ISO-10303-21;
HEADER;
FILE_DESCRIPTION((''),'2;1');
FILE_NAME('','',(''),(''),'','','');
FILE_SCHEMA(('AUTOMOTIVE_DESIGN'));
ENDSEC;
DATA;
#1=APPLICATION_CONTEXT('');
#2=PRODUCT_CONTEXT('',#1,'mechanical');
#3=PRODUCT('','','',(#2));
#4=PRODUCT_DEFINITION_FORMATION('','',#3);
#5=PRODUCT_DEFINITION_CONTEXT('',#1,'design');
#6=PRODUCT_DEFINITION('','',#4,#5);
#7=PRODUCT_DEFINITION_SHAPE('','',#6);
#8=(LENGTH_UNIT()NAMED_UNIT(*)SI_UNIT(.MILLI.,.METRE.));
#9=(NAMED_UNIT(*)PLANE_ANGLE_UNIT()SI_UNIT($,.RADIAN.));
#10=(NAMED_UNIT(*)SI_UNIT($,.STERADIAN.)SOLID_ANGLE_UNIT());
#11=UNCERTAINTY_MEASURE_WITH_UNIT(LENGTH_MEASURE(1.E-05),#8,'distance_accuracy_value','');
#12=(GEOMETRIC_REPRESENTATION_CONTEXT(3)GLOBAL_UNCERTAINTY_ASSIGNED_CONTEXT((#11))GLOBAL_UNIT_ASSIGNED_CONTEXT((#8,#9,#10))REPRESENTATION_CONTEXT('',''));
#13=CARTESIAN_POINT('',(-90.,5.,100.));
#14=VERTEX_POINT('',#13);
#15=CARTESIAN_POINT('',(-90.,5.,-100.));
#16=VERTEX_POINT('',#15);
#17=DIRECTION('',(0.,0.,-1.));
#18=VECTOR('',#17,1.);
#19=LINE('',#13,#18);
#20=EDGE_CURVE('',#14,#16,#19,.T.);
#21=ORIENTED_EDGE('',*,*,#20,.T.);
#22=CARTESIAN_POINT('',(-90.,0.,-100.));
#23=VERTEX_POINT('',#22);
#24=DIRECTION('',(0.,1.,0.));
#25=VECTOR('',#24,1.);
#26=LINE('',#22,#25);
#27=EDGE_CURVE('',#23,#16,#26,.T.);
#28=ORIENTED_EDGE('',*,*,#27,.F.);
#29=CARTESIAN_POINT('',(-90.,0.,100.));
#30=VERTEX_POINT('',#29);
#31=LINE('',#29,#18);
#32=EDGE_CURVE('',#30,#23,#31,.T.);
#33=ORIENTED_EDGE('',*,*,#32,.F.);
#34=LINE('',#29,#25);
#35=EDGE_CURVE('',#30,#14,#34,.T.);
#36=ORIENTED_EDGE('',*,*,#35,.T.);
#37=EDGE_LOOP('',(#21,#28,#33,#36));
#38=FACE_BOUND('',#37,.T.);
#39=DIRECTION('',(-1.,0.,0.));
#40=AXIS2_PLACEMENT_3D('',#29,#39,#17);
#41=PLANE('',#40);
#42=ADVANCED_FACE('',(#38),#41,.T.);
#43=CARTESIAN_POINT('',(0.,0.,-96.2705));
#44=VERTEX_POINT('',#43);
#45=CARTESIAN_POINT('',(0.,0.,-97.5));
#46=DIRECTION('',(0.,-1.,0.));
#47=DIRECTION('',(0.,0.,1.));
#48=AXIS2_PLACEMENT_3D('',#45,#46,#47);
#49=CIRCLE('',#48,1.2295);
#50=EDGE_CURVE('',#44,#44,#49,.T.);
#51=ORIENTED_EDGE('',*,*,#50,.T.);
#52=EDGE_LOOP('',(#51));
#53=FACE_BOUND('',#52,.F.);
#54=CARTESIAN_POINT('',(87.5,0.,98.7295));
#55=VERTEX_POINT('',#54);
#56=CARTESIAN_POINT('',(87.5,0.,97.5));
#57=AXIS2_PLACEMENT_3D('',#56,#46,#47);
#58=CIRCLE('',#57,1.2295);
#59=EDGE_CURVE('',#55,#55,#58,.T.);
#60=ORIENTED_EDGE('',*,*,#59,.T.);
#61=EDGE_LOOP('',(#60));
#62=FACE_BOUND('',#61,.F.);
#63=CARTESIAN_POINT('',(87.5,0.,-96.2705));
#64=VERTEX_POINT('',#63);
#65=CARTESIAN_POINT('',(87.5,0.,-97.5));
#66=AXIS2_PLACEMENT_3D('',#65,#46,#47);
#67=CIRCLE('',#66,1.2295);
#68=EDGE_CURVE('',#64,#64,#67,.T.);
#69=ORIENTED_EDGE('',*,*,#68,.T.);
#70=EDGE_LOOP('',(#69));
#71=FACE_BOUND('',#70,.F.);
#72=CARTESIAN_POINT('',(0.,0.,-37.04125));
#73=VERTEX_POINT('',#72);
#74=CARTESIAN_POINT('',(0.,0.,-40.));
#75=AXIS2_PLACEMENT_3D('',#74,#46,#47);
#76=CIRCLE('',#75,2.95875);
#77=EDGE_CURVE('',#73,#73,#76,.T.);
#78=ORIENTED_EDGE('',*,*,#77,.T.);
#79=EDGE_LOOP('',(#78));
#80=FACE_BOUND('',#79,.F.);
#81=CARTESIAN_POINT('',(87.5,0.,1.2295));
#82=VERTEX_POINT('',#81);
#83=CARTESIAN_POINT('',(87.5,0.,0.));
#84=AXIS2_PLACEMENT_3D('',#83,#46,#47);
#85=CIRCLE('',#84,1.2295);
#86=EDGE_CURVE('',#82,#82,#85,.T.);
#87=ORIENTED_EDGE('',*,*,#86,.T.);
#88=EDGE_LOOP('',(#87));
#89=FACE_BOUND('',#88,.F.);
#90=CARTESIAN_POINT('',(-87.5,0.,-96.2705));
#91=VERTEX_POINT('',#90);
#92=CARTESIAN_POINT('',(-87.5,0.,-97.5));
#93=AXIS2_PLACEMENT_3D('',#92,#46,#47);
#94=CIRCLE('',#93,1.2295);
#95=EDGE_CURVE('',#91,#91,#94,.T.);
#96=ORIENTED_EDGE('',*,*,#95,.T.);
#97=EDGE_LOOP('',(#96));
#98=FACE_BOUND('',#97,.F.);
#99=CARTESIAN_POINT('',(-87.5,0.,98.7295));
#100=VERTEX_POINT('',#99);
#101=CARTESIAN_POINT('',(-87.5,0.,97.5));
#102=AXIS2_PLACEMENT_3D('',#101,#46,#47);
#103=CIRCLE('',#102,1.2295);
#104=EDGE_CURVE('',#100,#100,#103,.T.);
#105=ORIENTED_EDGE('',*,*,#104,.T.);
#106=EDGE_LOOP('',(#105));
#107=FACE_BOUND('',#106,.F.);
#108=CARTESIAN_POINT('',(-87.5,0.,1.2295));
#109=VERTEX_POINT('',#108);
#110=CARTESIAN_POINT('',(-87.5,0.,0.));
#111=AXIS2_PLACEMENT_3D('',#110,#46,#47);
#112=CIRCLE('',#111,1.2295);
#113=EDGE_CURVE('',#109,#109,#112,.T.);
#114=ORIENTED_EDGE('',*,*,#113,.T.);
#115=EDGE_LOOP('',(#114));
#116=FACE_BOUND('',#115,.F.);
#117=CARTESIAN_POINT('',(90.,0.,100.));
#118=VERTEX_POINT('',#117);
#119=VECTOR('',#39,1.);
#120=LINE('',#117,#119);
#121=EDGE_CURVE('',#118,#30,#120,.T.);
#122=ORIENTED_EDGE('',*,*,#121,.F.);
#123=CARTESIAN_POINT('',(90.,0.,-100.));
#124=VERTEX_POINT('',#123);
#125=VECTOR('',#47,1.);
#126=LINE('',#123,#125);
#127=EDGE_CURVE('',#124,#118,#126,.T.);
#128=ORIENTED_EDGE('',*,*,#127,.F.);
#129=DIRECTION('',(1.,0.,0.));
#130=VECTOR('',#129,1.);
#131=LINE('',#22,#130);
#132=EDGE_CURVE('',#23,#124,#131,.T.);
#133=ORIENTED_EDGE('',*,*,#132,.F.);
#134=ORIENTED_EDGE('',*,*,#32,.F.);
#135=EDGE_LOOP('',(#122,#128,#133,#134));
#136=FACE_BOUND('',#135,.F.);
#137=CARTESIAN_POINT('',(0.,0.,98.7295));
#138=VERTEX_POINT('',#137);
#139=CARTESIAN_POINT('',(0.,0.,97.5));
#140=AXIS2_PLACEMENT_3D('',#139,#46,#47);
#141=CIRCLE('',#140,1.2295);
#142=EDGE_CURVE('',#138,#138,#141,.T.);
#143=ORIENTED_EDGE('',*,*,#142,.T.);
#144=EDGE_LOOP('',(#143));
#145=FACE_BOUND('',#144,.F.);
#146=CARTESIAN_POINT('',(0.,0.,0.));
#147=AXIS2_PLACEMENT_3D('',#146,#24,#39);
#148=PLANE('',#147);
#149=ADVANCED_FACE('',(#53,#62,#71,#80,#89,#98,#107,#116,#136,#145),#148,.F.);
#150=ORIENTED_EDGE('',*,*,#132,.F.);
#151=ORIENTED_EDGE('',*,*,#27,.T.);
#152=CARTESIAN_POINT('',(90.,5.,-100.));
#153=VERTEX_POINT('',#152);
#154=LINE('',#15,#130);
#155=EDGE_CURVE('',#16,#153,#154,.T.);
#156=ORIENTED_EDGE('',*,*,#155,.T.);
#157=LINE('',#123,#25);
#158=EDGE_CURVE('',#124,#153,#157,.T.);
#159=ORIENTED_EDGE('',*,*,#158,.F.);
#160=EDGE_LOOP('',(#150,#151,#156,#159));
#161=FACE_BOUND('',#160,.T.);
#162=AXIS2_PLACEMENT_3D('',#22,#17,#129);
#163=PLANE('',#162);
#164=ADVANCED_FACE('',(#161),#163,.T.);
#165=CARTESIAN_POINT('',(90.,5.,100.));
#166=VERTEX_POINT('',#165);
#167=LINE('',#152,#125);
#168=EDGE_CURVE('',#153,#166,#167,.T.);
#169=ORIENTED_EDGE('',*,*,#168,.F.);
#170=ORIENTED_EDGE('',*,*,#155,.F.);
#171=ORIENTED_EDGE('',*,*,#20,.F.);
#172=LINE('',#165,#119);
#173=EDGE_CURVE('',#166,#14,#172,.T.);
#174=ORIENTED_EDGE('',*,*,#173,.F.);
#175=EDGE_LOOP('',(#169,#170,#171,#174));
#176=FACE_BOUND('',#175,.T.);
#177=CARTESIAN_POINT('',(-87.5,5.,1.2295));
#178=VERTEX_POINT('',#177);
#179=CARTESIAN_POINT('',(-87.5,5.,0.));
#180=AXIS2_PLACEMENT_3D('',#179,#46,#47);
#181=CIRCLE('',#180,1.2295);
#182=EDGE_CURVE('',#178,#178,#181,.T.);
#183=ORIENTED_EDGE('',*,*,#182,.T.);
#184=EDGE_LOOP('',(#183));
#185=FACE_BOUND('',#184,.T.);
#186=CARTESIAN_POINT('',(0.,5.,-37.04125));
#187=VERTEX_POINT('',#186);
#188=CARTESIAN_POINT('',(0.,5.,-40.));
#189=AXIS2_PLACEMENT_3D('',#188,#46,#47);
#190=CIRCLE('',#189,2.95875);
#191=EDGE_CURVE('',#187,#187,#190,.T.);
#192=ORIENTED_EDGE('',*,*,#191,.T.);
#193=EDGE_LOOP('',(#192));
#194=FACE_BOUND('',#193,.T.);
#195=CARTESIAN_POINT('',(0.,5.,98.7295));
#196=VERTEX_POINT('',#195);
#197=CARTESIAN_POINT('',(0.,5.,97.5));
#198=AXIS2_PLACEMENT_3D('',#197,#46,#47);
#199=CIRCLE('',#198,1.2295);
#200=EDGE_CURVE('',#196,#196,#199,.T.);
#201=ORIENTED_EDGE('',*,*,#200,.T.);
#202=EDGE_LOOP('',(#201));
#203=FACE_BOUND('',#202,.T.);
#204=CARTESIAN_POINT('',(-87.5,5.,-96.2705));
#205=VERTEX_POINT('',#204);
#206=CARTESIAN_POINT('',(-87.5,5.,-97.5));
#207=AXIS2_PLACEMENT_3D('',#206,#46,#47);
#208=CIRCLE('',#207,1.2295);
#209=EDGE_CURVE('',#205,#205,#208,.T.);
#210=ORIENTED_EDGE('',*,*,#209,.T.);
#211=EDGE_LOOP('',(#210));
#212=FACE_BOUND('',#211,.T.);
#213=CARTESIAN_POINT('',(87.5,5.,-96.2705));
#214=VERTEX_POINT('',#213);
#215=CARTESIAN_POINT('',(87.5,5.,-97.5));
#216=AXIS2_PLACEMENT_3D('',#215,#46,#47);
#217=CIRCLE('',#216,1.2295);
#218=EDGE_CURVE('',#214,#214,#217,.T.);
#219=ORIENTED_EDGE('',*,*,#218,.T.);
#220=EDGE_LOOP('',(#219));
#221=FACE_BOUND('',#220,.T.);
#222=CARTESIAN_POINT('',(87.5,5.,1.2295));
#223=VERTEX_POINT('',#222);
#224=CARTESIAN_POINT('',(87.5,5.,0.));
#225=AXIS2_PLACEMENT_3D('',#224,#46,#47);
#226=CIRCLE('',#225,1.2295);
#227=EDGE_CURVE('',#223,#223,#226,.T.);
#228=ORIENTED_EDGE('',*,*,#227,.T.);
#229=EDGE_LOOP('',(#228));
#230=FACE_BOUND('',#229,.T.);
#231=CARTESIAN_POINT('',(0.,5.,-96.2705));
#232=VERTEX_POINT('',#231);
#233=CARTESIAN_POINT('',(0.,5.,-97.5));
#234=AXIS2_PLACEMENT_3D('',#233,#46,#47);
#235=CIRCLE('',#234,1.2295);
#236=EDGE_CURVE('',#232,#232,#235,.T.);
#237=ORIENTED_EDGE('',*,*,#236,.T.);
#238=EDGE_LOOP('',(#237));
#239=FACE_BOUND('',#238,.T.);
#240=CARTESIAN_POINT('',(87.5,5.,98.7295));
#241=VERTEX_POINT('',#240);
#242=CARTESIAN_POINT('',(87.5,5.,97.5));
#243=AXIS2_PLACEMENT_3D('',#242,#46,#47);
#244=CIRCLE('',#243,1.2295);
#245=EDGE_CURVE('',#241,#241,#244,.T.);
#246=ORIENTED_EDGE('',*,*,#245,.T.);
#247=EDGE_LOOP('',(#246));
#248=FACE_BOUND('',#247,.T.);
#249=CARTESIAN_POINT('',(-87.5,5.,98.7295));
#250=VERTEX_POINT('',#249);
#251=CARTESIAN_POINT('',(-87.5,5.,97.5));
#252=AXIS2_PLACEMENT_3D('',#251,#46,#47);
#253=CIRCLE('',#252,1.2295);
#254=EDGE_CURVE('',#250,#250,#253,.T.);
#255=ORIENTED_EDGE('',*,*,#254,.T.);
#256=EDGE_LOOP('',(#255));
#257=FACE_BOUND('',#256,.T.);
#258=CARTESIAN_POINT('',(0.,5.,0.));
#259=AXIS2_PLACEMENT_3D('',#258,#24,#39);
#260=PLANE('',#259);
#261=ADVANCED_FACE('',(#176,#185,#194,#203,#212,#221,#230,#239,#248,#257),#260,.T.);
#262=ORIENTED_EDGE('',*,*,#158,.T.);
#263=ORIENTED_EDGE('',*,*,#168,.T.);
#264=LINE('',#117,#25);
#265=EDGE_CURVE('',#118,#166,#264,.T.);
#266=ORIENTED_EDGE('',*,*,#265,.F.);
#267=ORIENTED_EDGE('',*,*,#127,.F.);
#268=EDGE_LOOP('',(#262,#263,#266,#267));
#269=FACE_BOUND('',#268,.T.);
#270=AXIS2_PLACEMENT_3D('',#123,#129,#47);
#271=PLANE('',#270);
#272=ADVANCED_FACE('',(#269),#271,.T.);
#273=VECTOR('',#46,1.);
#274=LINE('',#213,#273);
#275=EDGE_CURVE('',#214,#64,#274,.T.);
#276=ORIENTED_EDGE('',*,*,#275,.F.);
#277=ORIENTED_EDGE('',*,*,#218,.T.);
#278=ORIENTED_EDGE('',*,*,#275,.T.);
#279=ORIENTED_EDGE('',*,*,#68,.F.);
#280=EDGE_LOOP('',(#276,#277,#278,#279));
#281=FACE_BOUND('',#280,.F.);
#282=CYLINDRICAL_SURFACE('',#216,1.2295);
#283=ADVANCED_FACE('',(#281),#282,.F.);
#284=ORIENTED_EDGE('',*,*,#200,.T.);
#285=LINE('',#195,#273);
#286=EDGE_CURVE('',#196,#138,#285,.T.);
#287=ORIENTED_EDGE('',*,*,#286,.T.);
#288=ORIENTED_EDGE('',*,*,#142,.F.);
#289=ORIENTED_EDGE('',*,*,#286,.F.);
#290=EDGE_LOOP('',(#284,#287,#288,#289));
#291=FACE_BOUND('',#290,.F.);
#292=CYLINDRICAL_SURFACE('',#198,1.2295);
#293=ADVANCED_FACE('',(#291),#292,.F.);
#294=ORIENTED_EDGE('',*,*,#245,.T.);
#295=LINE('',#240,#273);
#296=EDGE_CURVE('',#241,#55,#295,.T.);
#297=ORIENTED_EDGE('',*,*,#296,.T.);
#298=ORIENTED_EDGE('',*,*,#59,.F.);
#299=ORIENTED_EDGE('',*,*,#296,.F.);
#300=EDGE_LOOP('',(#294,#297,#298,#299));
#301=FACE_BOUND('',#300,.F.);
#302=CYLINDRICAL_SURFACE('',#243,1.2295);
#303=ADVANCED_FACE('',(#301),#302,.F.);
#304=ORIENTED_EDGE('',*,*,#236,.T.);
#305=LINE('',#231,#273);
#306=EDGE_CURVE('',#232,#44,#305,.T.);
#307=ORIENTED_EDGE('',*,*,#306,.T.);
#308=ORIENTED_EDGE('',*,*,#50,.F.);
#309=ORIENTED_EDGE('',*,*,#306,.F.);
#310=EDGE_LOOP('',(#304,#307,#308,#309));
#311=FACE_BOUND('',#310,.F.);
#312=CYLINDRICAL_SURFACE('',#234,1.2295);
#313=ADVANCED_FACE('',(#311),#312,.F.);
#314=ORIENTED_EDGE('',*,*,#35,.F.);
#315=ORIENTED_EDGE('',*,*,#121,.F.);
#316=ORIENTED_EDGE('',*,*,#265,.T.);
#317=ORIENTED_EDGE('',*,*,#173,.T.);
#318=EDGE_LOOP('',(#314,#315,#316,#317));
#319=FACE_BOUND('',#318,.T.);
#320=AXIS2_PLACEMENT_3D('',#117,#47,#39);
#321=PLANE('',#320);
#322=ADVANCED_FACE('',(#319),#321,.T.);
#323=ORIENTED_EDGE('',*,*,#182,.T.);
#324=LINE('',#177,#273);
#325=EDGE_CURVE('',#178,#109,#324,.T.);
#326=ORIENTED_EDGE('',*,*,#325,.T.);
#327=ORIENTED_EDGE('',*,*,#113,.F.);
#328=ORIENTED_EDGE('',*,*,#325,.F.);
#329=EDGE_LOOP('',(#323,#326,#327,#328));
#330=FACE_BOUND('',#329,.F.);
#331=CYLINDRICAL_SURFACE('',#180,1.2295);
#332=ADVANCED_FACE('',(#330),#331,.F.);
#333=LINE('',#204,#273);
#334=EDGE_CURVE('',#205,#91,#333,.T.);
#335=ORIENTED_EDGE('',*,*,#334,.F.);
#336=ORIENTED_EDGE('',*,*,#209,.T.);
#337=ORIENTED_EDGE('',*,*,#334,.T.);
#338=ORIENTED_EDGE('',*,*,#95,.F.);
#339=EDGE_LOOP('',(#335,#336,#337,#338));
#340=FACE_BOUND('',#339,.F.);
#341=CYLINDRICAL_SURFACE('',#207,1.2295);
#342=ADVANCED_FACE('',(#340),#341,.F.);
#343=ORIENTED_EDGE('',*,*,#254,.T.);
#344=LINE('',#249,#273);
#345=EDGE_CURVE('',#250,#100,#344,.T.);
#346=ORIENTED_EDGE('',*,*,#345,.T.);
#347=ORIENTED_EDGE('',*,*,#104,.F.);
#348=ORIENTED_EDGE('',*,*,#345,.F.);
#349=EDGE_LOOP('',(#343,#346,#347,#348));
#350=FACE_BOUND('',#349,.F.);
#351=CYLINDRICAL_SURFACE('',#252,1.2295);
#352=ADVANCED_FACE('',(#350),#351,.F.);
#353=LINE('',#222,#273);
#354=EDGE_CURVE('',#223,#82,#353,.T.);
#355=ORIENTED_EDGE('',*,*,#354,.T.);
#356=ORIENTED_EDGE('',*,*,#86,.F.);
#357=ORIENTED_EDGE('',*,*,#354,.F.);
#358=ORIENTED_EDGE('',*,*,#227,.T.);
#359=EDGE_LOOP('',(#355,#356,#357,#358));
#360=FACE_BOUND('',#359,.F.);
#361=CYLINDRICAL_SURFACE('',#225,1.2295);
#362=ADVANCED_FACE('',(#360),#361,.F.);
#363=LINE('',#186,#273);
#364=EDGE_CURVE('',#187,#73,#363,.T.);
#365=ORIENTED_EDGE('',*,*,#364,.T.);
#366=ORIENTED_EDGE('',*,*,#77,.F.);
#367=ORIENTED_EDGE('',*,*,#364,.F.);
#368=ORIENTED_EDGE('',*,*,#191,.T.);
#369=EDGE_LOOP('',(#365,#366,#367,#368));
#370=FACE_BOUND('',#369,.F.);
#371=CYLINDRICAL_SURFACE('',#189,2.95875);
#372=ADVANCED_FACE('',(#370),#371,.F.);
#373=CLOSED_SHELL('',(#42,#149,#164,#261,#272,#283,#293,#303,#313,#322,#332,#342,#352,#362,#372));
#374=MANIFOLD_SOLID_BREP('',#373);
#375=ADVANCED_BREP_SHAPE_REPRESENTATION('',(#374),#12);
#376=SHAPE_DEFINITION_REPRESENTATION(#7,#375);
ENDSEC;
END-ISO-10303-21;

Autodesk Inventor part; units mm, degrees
ref_plane "YZ Plane" through (0, 0, 0) normal (1, 0, 0) x (0, 1, 0)
ref_plane "XZ Plane" through (0, 0, 0) normal (0, 1, 0) x (-1, 0, 0)
ref_plane "XY Plane" through (0, 0, 0) normal (0, 0, 1) x (1, 0, 0)
sketch "Esquisse1" plane through (0, 0, 0) normal (0, 1, 0) x (-1, 0, 0)
  line L0 (-90, 100) -> (90, 100)
  line L1 (90, 100) -> (90, -100)
  line L2 (90, -100) -> (-90, -100)
  line L3 (-90, -100) -> (-90, 100)
  line L4 (-90, 100) -> (90, -100) construction
  line L5 (90, 100) -> (-90, -100) construction
  point P0 (0, 0)
  dimension "d0" = 180
  dimension "d1" = 200
extrude "Extrusion1" add sketch "Esquisse1" along normal blind 5
sketch "Esquisse2" plane through (0, 5, 0) normal (0, 1, 0) x (1, 0, 0)
  line L0 (0, 0) -> (0, -97.5)
  line L1 (0, -97.5) -> (-87.5, -97.5)
  line L2 (0, 0) -> (-32.0024, 0)
  point P0 (87.5, -97.5)
  point P1 (-87.5, 97.5)
  point P2 (87.5, 97.5)
  dimension "d4" = 97.5
  dimension "d5" = 87.5
hole "Perçage1" at (-87.5, 5, 97.5) at (87.5, 5, 97.5) at (-87.5, 5, -97.5) at (87.5, 5, -97.5) direction (0, -1, 0) diameter 2.459 end through all thread size "M3x0.5" class "6H" standard "ISO Metric profile"
sketch "Esquisse3" plane through (0, 5, 0) normal (0, 1, 0) x (1, 0, 0)
  line L0 (0, 0) -> (-87.5, 0)
  line L1 (0, 0) -> (0, 97.5)
  point P0 (87.5, 0)
  point P1 (0, -97.5)
  dimension "d13" = 87.5
  dimension "d14" = 97.5
hole "Perçage2" at (-87.5, 5, 0) at (0, 5, -97.5) at (87.5, 5, 0) at (0, 5, 97.5) direction (0, -1, 0) diameter 2.459 end through all thread size "M3x0.5" class "6H" standard "ISO Metric profile"
sketch "Esquisse4" plane through (0, 5, 0) normal (0, 1, 0) x (1, 0, 0)
  line L0 (0, 0) -> (0, 40)
  dimension "d22" = 40
hole "Perçage3" at (0, 5, -40) direction (0, -1, 0) diameter 5.9175 end through all thread size "M7x1" class "6H" standard "ISO Metric profile"
properties part number "chassis_haut"
